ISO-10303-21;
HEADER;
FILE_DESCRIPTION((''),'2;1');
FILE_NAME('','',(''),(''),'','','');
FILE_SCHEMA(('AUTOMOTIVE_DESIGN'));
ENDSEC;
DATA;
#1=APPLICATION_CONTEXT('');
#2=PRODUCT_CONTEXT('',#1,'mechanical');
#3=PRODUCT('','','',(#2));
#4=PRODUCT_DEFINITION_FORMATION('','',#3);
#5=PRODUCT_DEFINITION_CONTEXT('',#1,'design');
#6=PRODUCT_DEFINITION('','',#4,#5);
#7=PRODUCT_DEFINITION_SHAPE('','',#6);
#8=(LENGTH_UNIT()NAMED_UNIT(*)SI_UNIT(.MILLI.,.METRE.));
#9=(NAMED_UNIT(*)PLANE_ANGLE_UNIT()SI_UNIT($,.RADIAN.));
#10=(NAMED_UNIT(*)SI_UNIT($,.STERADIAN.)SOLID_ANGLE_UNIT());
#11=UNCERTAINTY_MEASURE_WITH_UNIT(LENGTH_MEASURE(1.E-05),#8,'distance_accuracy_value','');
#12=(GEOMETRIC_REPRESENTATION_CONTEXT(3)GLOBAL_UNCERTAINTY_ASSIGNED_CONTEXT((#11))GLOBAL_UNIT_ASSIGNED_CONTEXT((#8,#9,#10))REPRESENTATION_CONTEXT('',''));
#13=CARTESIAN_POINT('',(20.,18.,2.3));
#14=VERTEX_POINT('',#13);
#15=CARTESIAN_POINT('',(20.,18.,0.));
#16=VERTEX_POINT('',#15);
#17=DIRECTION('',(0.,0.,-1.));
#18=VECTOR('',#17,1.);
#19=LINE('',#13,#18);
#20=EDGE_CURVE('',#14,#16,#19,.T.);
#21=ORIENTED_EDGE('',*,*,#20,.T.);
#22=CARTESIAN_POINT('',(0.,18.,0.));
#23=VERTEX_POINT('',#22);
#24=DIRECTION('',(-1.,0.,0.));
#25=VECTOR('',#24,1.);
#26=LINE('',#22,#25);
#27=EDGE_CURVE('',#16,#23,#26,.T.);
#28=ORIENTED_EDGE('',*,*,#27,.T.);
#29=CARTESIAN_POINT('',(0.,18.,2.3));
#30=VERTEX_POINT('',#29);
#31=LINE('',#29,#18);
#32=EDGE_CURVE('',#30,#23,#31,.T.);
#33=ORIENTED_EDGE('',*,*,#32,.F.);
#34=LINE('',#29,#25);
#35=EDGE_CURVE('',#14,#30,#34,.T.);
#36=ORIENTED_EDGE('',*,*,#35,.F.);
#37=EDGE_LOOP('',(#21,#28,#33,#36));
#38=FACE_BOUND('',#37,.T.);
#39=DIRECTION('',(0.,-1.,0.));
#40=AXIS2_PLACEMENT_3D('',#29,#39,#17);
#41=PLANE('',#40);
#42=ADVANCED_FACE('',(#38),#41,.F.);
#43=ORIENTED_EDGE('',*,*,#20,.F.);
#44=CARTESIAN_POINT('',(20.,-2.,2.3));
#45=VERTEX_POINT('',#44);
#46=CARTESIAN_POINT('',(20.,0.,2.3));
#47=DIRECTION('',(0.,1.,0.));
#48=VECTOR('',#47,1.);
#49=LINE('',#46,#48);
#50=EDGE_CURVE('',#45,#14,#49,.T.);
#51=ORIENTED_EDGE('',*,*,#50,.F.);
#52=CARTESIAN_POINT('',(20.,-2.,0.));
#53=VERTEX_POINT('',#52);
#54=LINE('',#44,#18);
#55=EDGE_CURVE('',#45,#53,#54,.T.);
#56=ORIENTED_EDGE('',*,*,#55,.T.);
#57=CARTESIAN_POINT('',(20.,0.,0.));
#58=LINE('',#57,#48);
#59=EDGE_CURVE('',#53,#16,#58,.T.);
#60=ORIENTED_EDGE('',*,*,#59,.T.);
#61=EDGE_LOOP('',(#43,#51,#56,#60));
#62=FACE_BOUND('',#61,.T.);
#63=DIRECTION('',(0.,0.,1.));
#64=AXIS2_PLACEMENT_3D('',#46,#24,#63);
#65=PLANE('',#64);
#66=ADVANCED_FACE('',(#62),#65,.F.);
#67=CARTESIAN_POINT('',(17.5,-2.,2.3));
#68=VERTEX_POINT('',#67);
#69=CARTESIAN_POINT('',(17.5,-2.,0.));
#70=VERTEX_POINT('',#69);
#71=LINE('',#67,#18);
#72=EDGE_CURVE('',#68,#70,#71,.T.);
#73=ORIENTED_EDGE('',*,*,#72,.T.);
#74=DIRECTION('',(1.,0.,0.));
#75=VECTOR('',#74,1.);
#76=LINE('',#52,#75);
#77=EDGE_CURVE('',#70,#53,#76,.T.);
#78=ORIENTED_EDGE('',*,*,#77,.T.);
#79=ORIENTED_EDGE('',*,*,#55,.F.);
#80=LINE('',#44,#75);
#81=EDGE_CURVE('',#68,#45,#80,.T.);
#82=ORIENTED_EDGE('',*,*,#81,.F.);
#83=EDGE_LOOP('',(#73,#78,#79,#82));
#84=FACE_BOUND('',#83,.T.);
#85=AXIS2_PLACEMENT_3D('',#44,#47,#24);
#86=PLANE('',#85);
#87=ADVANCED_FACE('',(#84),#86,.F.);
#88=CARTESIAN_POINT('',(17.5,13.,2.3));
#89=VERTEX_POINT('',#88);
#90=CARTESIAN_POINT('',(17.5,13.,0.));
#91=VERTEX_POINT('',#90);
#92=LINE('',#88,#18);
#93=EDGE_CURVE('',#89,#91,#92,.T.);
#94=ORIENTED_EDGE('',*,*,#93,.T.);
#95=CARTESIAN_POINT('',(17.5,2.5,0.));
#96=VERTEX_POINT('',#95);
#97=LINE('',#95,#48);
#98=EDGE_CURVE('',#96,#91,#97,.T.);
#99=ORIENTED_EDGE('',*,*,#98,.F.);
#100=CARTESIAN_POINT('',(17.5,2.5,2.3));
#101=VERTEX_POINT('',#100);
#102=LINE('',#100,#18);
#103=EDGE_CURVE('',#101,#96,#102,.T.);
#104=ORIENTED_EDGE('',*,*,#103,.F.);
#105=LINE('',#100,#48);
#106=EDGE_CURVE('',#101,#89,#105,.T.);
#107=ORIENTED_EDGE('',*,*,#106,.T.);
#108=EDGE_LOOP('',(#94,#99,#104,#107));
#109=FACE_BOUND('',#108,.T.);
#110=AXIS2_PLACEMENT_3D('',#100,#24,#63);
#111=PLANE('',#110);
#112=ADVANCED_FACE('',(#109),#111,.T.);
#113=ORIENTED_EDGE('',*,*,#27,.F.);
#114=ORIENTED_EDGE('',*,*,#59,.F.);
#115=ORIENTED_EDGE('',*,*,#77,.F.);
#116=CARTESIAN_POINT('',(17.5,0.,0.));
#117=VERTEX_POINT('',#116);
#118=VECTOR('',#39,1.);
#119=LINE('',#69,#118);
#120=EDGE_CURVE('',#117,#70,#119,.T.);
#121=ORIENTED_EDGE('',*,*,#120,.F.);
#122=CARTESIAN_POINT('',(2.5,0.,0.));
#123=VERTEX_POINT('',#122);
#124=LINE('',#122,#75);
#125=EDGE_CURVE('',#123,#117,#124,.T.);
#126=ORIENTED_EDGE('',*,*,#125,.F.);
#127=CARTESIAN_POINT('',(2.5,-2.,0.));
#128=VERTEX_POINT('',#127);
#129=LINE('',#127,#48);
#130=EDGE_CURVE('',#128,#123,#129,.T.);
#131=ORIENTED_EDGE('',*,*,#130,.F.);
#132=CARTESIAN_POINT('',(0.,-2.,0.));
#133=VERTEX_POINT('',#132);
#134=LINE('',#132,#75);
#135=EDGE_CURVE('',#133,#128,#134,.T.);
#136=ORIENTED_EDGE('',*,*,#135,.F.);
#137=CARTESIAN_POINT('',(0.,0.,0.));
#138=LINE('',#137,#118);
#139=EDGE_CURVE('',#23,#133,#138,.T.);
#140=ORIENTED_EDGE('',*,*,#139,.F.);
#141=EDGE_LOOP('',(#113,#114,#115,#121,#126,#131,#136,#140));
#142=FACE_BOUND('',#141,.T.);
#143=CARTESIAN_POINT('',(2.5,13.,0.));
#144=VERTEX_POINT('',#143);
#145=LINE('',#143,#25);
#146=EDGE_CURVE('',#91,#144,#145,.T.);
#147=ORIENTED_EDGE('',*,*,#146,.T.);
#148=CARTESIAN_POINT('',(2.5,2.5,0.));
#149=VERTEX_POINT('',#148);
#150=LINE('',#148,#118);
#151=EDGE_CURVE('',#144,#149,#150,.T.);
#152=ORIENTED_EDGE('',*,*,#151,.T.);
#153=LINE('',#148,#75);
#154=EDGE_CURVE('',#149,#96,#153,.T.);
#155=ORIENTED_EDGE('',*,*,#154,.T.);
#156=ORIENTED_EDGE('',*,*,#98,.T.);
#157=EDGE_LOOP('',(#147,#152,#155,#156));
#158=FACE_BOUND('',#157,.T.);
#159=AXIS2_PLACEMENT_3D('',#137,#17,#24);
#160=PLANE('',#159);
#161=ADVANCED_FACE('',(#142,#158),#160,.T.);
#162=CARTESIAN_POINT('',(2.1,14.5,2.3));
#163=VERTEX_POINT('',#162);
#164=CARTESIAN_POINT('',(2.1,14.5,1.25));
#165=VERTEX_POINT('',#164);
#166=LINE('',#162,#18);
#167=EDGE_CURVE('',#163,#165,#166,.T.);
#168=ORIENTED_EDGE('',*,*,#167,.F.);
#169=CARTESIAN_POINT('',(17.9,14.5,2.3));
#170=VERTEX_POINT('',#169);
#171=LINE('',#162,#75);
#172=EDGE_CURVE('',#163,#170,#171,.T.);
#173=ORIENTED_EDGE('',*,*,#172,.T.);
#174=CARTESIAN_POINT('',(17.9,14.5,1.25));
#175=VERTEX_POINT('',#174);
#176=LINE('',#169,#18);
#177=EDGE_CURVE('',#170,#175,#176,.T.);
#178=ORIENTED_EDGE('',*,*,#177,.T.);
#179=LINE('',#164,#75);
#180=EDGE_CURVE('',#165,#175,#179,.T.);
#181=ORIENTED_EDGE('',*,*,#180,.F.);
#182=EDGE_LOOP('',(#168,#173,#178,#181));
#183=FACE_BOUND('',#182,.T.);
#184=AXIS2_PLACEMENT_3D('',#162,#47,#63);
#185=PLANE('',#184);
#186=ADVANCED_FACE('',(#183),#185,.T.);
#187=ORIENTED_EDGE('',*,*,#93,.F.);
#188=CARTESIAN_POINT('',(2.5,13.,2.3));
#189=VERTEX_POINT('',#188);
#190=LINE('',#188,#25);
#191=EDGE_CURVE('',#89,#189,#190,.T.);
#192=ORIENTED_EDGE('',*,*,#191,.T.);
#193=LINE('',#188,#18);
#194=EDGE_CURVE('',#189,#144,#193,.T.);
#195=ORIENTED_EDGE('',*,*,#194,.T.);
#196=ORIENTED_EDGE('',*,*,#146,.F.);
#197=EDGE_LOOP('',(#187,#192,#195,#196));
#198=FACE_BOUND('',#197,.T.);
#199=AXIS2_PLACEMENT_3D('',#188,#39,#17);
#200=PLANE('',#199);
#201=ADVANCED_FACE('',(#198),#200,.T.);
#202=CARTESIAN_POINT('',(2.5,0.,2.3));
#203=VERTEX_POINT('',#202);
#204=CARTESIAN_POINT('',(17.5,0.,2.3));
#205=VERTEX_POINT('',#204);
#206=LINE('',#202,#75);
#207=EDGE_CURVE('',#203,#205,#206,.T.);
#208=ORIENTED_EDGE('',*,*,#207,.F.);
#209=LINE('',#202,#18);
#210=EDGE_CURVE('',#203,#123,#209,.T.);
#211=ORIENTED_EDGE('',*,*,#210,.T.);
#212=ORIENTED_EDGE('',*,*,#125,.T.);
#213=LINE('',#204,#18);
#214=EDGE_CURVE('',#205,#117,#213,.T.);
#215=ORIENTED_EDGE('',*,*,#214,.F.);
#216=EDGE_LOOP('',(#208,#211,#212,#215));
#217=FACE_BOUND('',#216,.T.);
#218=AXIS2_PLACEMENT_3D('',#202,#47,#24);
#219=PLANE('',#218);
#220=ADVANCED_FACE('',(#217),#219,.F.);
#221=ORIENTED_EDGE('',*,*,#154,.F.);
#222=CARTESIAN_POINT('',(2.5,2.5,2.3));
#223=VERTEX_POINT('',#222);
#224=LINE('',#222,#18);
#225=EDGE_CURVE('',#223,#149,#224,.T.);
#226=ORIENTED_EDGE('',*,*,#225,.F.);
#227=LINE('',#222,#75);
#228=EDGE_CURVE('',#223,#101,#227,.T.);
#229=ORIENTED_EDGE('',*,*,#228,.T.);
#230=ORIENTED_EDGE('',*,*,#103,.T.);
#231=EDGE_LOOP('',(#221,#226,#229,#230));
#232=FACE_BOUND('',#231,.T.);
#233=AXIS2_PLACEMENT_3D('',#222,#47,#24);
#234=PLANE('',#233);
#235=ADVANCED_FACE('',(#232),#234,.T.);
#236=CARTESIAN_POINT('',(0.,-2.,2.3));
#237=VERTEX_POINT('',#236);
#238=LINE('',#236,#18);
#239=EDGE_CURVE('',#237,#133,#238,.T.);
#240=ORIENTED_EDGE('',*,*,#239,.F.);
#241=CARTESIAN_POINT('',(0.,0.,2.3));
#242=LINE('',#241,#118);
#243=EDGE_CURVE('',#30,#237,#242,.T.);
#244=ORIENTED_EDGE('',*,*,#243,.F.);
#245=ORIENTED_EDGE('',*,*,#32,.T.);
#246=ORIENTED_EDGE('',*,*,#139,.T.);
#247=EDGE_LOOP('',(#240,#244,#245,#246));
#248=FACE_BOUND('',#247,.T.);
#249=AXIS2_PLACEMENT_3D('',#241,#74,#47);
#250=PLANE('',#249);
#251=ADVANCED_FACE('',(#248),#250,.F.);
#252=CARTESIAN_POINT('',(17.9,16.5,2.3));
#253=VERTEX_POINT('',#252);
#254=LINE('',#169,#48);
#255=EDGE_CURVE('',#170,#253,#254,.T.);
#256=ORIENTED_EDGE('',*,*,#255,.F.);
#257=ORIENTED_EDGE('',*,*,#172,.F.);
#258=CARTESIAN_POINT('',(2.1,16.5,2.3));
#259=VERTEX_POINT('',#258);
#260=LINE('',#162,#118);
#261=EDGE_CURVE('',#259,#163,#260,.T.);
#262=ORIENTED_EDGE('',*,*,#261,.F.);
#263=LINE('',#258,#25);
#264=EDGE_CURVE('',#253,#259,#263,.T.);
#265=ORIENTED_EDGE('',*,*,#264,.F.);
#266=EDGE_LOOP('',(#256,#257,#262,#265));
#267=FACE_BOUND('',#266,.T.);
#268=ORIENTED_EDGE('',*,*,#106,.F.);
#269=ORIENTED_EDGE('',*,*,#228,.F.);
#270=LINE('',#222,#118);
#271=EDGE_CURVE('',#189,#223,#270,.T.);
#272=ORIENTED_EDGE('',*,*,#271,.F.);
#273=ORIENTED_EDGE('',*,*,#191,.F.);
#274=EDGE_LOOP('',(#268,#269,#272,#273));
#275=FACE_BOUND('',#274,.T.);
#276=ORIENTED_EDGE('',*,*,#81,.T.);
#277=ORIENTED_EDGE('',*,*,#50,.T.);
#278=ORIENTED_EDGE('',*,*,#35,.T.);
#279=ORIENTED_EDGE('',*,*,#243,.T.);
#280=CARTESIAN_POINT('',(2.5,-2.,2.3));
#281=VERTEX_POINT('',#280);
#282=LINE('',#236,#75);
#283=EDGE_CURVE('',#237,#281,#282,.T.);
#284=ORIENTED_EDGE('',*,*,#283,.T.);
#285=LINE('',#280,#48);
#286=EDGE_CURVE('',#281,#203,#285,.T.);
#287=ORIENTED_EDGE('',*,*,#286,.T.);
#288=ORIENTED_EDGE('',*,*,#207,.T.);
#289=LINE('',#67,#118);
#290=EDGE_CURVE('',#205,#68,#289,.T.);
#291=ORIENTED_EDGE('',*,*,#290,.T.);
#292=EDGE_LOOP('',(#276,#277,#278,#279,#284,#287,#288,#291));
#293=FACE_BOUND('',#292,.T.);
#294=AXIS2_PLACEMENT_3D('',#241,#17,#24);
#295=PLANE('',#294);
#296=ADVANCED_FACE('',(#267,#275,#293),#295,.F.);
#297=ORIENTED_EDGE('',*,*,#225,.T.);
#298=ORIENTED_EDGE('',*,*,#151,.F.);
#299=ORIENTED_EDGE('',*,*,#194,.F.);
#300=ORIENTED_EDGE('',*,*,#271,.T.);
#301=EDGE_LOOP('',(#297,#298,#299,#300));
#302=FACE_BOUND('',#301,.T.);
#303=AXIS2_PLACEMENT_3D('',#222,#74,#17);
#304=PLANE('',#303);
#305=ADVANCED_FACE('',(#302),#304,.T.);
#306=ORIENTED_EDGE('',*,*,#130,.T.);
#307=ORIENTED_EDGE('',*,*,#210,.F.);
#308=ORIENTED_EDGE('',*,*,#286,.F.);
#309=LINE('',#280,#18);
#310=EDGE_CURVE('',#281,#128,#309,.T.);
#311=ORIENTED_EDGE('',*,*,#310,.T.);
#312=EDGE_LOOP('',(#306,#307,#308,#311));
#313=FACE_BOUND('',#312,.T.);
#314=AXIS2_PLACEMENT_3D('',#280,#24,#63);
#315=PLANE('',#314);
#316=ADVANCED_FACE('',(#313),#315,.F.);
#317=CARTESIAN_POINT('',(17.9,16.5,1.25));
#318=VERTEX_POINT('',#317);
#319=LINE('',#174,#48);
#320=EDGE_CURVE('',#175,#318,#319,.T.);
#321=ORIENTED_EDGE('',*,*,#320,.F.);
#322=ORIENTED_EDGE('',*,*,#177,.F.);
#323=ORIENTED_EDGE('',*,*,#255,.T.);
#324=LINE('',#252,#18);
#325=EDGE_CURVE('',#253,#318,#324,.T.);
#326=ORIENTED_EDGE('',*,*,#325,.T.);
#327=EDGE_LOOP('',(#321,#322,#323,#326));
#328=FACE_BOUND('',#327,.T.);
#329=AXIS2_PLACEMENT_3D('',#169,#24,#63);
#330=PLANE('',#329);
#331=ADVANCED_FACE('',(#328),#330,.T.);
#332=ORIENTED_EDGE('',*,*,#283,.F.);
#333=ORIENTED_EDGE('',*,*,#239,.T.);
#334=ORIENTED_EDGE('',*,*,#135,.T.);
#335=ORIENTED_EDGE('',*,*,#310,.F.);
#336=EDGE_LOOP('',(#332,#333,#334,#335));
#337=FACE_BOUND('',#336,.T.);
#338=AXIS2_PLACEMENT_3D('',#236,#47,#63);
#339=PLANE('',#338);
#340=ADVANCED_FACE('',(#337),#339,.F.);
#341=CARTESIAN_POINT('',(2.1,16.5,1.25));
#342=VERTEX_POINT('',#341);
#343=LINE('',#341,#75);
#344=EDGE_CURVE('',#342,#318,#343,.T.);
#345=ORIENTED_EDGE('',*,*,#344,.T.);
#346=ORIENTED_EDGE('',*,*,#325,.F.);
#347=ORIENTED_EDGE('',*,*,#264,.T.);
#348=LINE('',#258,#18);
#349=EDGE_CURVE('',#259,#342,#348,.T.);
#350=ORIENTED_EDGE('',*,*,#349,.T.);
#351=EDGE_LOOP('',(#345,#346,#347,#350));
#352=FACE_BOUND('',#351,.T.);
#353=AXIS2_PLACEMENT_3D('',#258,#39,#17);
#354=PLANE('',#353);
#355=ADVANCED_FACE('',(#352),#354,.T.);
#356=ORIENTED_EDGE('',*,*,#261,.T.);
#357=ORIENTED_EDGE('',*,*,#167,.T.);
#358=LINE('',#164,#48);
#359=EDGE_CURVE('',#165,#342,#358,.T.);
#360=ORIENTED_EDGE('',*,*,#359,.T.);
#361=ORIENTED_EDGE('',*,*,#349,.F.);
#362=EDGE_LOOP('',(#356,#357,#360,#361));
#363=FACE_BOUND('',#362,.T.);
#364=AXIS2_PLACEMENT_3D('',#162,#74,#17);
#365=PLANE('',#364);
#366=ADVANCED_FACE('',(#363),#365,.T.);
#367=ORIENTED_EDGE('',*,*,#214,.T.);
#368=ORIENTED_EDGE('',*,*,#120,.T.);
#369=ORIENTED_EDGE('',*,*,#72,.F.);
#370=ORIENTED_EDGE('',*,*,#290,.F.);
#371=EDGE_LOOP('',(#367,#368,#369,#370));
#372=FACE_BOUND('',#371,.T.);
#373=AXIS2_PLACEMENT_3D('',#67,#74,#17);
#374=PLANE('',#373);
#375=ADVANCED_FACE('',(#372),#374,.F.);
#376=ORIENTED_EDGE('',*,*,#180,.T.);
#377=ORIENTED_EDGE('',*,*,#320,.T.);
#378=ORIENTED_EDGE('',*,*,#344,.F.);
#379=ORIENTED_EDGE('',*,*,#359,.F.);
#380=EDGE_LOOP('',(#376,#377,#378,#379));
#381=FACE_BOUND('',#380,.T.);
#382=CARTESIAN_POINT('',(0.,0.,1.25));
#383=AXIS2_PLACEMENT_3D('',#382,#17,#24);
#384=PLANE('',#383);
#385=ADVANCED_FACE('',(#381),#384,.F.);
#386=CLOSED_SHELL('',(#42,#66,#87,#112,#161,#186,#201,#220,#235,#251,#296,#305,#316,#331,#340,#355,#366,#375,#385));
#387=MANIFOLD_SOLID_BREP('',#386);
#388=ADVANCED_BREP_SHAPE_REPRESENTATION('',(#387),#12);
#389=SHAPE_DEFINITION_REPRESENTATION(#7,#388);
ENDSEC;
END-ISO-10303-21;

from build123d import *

# Parameters (mm, degrees)
SKETCH1_W           = 15
SKETCH1_H           = 10.5
SKETCH1_W_2         = 15.8
SKETCH1_H_2         = 2
BOSS_EXTRUDE1_DEPTH = 2.3
SKETCH1_2_W         = 15.8
SKETCH1_2_H         = 2
BOSS_EXTRUDE2_DEPTH = 1.25


with BuildPart() as part:
    # Sketch1 → Boss-Extrude1 (new body)
    with BuildSketch(Plane.XY):
        Polygon((0, 0), (0, -2), (2.5, -2), (2.5, 0), (17.5, 0), (17.5, -2), (20, -2), (20, 0), (20, 18), (0, 18), align=None)
        with Locations((10, 7.75)):
            Rectangle(SKETCH1_W, SKETCH1_H, mode=Mode.SUBTRACT)
        with Locations((10, 15.5)):
            Rectangle(SKETCH1_W_2, SKETCH1_H_2, mode=Mode.SUBTRACT)
    extrude(amount=BOSS_EXTRUDE1_DEPTH)

    # Sketch1<2> → Boss-Extrude2 (add)
    with BuildSketch(Plane.XY):
        with Locations((10, 15.5)):
            Rectangle(SKETCH1_2_W, SKETCH1_2_H)
    extrude(amount=BOSS_EXTRUDE2_DEPTH)


solid = part.part
